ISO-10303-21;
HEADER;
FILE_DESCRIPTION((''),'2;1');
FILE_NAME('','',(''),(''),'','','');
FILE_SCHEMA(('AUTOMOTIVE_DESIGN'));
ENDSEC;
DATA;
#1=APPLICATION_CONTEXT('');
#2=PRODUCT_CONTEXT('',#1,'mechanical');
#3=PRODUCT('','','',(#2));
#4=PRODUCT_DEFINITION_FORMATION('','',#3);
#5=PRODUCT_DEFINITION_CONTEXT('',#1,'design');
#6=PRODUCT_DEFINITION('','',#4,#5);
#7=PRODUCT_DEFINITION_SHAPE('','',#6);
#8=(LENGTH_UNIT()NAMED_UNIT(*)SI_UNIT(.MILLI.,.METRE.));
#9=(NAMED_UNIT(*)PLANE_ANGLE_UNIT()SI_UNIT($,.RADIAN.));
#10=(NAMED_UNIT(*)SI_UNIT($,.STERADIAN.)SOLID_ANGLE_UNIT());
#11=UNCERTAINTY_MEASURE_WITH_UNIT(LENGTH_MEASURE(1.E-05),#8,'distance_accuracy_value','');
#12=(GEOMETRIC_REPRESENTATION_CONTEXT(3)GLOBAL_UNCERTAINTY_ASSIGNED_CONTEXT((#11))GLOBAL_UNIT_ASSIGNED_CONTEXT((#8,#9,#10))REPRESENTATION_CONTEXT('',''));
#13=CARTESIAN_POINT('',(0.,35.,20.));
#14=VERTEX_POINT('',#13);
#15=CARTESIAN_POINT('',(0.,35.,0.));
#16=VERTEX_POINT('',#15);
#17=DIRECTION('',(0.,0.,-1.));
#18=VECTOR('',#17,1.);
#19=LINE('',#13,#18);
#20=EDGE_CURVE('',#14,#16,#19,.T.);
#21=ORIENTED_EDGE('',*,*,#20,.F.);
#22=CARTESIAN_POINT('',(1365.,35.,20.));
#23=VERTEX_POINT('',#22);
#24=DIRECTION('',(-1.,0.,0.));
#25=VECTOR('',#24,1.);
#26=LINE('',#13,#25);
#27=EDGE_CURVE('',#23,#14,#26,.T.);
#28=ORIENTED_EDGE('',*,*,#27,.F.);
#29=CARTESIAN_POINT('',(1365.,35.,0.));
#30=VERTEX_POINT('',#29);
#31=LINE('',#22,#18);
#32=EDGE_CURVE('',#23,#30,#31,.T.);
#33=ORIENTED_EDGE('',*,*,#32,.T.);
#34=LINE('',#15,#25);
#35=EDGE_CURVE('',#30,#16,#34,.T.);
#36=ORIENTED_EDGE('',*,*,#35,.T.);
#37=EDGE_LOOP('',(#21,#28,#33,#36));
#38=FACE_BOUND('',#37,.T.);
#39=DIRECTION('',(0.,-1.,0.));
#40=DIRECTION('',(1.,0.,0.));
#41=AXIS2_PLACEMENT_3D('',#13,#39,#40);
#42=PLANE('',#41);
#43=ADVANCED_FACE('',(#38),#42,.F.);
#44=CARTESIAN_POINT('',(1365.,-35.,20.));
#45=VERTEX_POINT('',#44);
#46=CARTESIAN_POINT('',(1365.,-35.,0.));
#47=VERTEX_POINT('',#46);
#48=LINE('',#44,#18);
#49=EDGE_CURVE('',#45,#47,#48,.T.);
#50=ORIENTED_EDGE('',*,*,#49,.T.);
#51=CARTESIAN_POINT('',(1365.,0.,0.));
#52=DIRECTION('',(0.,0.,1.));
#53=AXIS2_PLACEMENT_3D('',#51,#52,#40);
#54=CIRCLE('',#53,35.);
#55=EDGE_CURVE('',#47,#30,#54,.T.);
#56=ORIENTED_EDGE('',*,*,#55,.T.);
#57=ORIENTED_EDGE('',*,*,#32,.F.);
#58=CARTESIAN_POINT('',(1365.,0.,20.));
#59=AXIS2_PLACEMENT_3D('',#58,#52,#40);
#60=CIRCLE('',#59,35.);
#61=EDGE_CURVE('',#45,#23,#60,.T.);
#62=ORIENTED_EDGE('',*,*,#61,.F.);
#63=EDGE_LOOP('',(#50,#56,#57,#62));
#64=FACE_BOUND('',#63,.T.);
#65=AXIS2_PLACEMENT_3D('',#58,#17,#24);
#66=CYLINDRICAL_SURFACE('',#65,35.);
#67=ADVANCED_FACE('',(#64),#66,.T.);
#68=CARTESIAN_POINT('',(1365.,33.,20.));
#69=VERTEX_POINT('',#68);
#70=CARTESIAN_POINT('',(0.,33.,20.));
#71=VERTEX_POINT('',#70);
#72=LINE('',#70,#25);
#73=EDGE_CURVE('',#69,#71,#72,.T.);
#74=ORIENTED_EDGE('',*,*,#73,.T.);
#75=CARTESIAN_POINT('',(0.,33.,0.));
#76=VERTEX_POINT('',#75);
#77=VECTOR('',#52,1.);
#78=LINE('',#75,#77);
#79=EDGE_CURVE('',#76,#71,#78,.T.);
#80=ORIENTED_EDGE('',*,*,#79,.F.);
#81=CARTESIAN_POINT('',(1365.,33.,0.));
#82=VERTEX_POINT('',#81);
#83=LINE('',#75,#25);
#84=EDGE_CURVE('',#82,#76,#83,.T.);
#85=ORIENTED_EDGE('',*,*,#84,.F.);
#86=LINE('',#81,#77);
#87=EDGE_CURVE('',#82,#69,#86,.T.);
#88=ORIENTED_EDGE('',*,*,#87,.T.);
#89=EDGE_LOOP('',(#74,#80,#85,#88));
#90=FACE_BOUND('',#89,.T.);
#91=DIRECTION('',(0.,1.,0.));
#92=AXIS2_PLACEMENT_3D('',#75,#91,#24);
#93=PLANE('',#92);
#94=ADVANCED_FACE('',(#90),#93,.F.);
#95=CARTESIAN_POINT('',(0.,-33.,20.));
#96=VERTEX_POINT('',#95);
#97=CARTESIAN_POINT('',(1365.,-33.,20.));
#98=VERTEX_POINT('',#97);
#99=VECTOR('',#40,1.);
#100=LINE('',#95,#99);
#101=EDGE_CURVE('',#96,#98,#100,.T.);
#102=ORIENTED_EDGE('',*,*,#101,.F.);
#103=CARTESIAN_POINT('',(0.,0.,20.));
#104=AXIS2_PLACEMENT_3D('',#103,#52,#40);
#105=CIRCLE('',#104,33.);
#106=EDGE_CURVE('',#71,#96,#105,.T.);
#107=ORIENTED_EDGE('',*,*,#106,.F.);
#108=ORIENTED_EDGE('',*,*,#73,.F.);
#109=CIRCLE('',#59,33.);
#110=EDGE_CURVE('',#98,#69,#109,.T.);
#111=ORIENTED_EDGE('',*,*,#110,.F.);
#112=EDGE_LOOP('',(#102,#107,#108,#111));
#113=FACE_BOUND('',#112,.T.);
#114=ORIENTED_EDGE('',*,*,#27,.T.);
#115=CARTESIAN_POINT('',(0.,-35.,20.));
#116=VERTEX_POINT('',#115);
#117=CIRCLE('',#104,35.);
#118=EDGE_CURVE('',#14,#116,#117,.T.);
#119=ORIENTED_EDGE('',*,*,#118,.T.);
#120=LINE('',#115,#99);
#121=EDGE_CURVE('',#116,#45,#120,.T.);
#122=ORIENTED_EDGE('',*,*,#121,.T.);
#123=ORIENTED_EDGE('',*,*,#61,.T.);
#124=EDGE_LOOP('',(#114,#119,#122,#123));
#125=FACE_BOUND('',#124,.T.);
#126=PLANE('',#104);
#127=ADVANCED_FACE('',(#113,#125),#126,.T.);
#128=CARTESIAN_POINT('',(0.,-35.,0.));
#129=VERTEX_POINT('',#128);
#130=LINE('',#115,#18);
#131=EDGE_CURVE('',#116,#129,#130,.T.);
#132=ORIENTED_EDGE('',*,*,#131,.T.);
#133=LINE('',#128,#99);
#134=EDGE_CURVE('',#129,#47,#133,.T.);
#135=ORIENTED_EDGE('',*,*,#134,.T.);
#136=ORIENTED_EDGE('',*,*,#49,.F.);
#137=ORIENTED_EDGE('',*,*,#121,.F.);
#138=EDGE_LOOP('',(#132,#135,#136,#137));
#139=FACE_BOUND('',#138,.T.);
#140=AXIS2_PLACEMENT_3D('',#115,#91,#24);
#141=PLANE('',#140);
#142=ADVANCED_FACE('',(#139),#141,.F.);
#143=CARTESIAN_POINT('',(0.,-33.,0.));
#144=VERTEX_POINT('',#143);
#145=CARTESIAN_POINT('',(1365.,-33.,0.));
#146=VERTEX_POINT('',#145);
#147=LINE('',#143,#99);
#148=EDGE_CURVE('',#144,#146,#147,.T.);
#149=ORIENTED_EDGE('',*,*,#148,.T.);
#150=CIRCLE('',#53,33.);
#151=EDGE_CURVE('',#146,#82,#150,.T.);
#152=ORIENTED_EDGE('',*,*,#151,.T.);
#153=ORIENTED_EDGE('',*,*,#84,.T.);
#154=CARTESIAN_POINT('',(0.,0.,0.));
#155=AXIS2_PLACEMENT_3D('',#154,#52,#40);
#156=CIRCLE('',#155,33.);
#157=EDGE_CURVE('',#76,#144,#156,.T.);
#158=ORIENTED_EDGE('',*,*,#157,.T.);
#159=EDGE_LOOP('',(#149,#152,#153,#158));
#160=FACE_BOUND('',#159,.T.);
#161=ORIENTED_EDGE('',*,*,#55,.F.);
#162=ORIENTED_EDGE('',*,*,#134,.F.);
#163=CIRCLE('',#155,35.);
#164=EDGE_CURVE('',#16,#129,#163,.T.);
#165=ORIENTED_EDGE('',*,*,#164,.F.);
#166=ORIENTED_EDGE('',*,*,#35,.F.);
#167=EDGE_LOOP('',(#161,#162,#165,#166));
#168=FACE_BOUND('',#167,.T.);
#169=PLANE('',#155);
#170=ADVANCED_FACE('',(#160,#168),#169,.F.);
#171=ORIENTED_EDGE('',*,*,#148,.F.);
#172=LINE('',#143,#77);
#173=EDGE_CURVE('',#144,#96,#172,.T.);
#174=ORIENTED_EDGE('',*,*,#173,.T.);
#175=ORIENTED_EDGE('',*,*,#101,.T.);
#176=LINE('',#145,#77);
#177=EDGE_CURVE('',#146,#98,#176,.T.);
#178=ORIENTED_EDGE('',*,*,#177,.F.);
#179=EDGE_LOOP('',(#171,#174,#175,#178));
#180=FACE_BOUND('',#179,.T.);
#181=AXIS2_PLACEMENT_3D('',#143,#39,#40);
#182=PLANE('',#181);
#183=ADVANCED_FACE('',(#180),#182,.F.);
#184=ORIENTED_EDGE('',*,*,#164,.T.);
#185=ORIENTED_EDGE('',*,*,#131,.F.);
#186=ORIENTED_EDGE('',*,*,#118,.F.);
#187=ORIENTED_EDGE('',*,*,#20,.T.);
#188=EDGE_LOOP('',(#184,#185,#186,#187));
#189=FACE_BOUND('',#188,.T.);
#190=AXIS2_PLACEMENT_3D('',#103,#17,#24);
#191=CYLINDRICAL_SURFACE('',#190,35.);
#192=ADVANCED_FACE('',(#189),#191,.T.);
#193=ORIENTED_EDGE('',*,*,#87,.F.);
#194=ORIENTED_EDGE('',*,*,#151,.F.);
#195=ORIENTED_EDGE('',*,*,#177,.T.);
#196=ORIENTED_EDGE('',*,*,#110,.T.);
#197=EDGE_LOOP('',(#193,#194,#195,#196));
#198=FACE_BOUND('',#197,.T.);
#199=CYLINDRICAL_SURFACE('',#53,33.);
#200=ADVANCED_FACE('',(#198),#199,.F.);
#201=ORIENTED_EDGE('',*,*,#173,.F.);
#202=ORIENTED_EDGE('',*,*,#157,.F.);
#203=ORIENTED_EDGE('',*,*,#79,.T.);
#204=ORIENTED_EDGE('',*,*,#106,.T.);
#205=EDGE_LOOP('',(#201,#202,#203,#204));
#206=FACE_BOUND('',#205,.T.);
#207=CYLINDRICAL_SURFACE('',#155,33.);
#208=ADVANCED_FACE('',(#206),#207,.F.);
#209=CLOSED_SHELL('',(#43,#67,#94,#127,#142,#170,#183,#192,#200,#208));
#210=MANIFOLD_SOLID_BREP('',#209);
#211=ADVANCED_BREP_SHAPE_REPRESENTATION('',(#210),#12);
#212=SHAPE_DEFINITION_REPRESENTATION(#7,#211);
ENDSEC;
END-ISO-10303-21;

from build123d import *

# Parameters (mm, degrees)
BOSS_EXTRUDE2_DEPTH = 20
CUT_EXTRUDE3_DEPTH  = 20


with BuildPart() as part:
    # Sketch1 → Boss-Extrude2 (new body)
    with BuildSketch(Plane.XY):
        with BuildLine():
            Line((0, 35), (1365, 35))
            ThreePointArc((1365, 35), (1400, 0), (1365, -35))
            Line((1365, -35), (0, -35))
            ThreePointArc((0, -35), (-35, 0), (0, 35))
        make_face()
    extrude(amount=BOSS_EXTRUDE2_DEPTH)

    # Sketch3 → Cut-Extrude3 (cut)
    with BuildSketch(Plane.XY.offset(20)):
        with BuildLine():
            Line((0, 33), (1365, 33))
            ThreePointArc((1365, 33), (1398, 0), (1365, -33))
            Line((1365, -33), (0, -33))
            ThreePointArc((0, -33), (-33, 0), (0, 33))
        make_face()
    extrude(amount=-CUT_EXTRUDE3_DEPTH, mode=Mode.SUBTRACT)


solid = part.part
